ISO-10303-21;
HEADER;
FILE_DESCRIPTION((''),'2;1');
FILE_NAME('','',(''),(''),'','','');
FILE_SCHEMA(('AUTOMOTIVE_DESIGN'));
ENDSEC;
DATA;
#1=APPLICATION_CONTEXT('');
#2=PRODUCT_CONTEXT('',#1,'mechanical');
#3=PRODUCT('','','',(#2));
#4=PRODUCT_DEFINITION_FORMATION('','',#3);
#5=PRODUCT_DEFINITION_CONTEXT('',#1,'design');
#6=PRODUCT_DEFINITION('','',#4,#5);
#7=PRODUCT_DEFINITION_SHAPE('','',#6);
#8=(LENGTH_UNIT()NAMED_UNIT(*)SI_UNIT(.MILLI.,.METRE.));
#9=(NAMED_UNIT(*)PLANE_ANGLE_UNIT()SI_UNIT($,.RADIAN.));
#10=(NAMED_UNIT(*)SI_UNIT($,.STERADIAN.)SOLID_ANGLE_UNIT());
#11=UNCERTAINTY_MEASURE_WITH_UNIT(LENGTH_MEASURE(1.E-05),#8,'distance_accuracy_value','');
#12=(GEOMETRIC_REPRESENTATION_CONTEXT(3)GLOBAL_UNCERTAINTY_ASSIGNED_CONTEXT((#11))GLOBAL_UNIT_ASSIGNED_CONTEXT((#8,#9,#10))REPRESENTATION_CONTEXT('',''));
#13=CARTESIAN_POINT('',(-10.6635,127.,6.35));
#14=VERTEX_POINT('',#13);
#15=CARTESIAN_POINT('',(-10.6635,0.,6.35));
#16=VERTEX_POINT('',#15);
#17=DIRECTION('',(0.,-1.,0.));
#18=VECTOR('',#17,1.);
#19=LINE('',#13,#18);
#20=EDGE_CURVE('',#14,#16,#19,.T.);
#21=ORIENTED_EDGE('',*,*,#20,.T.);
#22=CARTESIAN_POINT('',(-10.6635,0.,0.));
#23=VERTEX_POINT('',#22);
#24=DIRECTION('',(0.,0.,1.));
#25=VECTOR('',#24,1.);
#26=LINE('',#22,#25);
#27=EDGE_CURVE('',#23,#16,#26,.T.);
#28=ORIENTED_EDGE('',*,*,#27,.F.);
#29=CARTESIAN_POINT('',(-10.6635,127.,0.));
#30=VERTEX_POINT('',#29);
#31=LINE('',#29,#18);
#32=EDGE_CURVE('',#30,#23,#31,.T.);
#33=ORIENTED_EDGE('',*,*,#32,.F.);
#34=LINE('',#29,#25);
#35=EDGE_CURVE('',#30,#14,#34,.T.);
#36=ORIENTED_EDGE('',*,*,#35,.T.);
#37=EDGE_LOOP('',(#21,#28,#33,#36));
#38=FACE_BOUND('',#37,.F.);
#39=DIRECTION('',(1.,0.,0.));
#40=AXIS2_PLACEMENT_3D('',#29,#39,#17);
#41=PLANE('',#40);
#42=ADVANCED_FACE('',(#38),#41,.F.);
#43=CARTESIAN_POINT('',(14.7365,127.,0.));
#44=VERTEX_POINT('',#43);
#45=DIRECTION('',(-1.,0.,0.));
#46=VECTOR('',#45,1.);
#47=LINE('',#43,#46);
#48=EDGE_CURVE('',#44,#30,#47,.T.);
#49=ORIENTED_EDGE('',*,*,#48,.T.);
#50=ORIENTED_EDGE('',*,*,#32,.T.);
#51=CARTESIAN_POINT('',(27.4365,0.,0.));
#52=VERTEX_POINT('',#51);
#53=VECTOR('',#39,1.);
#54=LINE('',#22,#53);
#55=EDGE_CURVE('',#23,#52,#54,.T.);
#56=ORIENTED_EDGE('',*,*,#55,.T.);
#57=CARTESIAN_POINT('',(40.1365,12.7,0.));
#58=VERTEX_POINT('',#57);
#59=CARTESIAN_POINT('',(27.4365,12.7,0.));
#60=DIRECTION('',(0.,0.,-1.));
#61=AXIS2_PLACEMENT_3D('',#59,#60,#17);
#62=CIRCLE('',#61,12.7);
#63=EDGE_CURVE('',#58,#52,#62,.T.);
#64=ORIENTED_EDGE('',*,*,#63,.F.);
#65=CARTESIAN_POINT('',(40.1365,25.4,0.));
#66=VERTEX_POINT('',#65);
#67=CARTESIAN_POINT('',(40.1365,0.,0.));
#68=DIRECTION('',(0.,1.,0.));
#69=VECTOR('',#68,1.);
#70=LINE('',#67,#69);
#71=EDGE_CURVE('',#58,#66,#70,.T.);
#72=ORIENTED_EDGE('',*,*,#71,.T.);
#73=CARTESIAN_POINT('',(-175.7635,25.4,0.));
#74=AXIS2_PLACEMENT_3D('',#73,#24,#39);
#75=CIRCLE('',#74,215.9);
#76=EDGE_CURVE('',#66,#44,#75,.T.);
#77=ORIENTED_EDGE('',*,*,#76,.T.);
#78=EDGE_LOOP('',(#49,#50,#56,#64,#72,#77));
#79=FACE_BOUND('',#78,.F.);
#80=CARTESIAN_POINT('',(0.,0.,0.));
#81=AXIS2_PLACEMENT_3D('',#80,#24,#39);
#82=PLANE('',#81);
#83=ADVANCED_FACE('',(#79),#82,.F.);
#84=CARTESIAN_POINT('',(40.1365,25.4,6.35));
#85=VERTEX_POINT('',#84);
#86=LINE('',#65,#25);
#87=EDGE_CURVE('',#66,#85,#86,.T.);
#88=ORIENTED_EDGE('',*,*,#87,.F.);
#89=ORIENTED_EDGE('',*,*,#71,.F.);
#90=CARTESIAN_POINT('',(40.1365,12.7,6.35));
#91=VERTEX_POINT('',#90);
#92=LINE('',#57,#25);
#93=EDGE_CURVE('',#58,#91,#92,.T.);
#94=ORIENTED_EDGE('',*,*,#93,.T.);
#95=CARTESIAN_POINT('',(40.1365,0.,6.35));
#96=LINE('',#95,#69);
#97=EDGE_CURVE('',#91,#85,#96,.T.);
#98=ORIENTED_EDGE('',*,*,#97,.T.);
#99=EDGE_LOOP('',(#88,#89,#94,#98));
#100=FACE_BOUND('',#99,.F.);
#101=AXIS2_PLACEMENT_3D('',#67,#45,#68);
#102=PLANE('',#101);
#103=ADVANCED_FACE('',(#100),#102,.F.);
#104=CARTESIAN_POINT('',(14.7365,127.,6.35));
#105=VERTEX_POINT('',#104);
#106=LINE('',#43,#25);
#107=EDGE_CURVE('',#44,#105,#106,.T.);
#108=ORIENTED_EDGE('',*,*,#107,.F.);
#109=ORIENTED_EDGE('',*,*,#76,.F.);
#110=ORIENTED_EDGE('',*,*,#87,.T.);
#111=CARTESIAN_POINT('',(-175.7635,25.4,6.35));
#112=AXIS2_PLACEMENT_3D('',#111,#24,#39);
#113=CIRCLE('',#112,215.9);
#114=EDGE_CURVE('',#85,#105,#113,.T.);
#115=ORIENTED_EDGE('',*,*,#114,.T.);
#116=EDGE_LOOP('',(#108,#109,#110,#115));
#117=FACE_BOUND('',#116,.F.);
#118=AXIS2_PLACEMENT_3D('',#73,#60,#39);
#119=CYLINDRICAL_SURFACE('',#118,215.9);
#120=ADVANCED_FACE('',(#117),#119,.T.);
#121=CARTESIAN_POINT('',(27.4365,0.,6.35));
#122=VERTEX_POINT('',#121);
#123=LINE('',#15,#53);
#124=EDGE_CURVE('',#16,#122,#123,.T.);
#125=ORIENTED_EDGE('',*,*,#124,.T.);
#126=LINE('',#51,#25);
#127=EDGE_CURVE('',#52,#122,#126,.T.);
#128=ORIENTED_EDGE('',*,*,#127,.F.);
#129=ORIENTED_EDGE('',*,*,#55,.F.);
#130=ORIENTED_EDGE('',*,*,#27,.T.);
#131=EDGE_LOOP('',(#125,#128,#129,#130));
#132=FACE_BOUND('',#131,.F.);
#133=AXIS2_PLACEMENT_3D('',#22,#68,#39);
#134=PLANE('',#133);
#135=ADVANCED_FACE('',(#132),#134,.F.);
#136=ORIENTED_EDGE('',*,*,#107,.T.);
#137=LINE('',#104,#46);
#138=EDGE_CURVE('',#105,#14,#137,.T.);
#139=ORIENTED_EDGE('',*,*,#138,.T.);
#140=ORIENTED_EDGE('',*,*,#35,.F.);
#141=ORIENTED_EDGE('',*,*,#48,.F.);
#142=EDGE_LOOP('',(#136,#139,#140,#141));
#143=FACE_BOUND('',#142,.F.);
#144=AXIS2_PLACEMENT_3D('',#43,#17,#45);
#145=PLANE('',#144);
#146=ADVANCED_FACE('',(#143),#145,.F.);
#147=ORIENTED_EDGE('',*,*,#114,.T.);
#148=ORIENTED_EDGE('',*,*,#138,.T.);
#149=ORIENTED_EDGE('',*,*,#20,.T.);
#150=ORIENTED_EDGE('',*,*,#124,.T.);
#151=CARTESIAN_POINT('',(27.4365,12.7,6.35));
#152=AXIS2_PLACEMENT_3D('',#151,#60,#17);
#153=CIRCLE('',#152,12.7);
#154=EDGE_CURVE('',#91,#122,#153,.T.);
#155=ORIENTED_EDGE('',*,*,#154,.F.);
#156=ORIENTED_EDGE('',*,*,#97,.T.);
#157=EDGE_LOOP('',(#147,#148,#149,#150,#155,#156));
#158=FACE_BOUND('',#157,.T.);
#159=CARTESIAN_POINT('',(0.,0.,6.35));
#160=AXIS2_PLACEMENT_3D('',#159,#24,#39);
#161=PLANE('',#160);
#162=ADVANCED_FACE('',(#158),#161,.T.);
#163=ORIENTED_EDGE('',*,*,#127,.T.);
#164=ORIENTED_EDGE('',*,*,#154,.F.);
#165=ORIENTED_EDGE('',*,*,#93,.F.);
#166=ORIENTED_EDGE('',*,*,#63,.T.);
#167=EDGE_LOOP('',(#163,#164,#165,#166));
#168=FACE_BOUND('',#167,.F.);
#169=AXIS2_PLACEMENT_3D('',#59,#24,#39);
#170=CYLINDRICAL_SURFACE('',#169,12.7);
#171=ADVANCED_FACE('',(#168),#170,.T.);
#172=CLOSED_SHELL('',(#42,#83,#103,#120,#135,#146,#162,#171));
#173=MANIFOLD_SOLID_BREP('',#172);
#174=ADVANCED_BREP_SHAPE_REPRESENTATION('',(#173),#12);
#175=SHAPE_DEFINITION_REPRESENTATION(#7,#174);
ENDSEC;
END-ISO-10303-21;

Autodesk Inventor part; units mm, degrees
ref_plane "YZ Plane" through (0, 0, 0) normal (1, 0, 0) x (0, 1, 0)
ref_plane "XZ Plane" through (0, 0, 0) normal (0, 1, 0) x (-1, 0, 0)
ref_plane "XY Plane" through (0, 0, 0) normal (0, 0, 1) x (1, 0, 0)
sketch "Sketch1" plane through (0, 0, 0) normal (0, 0, 1) x (1, 0, 0)
  line L0 (-10.6635, 0) -> (40.1365, 0)
  line L1 (40.1365, 0) -> (40.1365, 127)
  line L2 (14.7365, 127) -> (-10.6635, 127)
  line L3 (-10.6635, 127) -> (-10.6635, 0)
  line L4 (40.1365, 0) -> (40.1365, 25.4)
  arc A0 (40.1365, 25.4) -> (14.7365, 127) centre (-175.7635, 25.4) ccw
  point P0 (0, 0)
  dimension "d0" = 50.8
  dimension "d1" = 127
  dimension "d2" = 25.4
extrude "Extrusion1" add sketch "Sketch1" along normal blind 6.35
fillet "Fillet1" radius 12.7 1 edges at (40.1365, 0, 3.175)
properties part number "Zachs wing"
